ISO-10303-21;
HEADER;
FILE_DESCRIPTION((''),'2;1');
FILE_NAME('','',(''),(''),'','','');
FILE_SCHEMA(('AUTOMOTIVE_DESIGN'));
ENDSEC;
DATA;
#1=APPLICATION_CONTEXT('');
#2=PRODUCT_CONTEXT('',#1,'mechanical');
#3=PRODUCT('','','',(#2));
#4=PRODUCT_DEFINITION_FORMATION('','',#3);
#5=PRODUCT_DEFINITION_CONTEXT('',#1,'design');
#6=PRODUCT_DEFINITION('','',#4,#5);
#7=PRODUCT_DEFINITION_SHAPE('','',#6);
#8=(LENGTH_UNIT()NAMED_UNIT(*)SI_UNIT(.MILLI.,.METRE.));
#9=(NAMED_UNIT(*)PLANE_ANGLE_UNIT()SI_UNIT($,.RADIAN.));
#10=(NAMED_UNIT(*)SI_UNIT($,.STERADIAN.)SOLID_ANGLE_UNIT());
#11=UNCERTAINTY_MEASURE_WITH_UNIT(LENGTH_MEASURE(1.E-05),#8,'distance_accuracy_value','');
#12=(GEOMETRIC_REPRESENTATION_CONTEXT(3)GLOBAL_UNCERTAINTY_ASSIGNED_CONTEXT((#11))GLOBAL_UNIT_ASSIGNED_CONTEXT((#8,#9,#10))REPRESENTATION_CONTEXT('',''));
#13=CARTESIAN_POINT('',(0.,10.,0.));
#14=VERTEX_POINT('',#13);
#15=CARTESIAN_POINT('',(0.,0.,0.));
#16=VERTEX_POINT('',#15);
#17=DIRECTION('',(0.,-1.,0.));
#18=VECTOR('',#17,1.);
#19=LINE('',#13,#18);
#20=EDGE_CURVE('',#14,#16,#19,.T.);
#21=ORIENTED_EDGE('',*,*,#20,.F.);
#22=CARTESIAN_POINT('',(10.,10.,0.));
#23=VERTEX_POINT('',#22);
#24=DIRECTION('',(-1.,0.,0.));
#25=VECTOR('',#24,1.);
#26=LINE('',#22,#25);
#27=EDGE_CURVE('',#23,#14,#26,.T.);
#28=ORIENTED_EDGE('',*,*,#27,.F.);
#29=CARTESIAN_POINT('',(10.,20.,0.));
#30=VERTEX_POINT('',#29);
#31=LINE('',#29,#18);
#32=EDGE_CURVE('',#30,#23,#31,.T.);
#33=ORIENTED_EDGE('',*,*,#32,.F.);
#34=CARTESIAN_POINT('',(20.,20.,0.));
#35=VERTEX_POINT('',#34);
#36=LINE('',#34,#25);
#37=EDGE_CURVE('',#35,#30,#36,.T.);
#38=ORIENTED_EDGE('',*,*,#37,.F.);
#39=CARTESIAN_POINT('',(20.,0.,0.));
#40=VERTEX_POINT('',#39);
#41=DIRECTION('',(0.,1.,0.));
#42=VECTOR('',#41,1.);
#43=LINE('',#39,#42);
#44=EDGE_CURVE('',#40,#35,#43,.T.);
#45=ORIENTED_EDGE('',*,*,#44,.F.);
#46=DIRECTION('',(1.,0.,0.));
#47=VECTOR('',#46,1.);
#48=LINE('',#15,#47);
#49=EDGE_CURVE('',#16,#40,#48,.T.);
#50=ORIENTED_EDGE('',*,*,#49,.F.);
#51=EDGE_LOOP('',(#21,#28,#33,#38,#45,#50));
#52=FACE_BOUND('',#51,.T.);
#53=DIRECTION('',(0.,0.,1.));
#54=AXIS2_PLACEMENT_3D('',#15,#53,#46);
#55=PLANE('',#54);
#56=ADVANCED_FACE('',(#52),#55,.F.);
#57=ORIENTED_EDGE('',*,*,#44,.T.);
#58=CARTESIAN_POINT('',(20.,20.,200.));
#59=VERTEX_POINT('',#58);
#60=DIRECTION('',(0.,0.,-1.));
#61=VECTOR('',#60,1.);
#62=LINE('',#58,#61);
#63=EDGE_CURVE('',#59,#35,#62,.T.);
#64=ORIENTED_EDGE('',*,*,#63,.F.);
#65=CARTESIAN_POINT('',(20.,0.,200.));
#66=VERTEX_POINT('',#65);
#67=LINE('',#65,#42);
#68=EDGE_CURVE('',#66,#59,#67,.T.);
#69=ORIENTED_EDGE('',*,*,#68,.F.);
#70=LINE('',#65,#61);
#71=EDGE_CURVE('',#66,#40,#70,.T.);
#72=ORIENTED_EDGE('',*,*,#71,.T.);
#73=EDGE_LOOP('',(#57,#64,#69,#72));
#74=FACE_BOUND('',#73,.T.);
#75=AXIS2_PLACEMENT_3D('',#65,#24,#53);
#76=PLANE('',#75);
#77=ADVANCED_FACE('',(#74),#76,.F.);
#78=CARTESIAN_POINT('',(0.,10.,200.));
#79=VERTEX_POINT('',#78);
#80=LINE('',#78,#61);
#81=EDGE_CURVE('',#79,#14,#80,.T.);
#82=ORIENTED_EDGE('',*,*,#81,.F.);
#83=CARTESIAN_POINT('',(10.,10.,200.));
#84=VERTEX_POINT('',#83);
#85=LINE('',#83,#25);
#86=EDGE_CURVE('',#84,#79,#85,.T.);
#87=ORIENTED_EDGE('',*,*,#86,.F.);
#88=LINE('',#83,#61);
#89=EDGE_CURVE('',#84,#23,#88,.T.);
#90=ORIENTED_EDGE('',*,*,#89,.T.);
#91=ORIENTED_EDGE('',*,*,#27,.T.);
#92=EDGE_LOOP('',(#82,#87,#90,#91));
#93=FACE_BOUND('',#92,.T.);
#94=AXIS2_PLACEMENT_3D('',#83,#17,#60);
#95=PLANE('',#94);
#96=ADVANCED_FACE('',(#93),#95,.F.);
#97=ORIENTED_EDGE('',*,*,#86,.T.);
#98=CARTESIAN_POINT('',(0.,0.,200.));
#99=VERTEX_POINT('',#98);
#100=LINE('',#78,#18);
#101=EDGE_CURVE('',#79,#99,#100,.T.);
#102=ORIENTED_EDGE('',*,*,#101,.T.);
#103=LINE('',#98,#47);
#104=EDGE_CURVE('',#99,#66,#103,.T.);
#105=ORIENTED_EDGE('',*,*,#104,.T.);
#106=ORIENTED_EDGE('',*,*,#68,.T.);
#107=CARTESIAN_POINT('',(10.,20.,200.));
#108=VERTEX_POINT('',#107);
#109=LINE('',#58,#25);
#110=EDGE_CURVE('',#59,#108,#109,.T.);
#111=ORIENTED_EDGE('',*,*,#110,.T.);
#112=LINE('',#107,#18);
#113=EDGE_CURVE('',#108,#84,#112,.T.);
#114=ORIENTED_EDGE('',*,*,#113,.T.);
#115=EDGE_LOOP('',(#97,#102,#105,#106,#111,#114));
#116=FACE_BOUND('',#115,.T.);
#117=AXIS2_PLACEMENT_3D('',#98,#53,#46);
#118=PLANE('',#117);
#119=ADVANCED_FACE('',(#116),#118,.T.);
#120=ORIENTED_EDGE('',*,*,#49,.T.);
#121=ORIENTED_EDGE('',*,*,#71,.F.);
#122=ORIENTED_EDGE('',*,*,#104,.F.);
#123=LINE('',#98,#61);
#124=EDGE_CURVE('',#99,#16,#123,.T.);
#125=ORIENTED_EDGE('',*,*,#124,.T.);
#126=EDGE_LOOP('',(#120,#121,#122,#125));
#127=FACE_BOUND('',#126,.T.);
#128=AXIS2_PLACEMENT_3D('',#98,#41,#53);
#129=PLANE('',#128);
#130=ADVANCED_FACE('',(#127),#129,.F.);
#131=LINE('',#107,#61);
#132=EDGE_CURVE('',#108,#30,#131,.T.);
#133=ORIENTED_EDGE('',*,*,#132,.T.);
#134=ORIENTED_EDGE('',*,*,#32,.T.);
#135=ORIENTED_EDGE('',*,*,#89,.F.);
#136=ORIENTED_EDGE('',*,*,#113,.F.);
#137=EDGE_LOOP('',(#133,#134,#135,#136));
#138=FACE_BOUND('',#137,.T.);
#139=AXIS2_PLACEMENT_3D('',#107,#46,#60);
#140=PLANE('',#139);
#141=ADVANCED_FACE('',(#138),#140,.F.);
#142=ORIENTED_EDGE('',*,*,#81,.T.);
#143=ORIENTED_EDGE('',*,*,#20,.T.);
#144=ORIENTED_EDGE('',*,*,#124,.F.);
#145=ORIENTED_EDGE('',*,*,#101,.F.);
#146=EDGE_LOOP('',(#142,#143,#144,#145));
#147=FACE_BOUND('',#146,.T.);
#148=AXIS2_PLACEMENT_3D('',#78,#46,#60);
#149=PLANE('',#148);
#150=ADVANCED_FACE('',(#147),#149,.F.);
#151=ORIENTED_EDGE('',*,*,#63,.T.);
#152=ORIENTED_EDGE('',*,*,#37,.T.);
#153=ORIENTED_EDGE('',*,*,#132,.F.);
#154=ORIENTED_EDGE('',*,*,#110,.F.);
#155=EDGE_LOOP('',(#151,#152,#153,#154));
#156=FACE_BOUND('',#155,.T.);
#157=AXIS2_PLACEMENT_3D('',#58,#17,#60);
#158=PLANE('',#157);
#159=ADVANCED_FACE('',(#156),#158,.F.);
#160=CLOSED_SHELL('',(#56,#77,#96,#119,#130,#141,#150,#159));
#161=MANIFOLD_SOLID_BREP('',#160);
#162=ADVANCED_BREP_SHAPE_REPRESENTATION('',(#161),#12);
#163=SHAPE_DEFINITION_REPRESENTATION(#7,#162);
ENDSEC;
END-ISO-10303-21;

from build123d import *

# Parameters (mm, degrees)
BOSS_EXTRU_1_DEPTH = 200


with BuildPart() as part:
    # Esquisse1 → Boss.-Extru.1 (new body)
    with BuildSketch(Plane.XY):
        Polygon((0, 0), (20, 0), (20, 20), (10, 20), (10, 10), (0, 10), align=None)
    extrude(amount=BOSS_EXTRU_1_DEPTH)


solid = part.part
